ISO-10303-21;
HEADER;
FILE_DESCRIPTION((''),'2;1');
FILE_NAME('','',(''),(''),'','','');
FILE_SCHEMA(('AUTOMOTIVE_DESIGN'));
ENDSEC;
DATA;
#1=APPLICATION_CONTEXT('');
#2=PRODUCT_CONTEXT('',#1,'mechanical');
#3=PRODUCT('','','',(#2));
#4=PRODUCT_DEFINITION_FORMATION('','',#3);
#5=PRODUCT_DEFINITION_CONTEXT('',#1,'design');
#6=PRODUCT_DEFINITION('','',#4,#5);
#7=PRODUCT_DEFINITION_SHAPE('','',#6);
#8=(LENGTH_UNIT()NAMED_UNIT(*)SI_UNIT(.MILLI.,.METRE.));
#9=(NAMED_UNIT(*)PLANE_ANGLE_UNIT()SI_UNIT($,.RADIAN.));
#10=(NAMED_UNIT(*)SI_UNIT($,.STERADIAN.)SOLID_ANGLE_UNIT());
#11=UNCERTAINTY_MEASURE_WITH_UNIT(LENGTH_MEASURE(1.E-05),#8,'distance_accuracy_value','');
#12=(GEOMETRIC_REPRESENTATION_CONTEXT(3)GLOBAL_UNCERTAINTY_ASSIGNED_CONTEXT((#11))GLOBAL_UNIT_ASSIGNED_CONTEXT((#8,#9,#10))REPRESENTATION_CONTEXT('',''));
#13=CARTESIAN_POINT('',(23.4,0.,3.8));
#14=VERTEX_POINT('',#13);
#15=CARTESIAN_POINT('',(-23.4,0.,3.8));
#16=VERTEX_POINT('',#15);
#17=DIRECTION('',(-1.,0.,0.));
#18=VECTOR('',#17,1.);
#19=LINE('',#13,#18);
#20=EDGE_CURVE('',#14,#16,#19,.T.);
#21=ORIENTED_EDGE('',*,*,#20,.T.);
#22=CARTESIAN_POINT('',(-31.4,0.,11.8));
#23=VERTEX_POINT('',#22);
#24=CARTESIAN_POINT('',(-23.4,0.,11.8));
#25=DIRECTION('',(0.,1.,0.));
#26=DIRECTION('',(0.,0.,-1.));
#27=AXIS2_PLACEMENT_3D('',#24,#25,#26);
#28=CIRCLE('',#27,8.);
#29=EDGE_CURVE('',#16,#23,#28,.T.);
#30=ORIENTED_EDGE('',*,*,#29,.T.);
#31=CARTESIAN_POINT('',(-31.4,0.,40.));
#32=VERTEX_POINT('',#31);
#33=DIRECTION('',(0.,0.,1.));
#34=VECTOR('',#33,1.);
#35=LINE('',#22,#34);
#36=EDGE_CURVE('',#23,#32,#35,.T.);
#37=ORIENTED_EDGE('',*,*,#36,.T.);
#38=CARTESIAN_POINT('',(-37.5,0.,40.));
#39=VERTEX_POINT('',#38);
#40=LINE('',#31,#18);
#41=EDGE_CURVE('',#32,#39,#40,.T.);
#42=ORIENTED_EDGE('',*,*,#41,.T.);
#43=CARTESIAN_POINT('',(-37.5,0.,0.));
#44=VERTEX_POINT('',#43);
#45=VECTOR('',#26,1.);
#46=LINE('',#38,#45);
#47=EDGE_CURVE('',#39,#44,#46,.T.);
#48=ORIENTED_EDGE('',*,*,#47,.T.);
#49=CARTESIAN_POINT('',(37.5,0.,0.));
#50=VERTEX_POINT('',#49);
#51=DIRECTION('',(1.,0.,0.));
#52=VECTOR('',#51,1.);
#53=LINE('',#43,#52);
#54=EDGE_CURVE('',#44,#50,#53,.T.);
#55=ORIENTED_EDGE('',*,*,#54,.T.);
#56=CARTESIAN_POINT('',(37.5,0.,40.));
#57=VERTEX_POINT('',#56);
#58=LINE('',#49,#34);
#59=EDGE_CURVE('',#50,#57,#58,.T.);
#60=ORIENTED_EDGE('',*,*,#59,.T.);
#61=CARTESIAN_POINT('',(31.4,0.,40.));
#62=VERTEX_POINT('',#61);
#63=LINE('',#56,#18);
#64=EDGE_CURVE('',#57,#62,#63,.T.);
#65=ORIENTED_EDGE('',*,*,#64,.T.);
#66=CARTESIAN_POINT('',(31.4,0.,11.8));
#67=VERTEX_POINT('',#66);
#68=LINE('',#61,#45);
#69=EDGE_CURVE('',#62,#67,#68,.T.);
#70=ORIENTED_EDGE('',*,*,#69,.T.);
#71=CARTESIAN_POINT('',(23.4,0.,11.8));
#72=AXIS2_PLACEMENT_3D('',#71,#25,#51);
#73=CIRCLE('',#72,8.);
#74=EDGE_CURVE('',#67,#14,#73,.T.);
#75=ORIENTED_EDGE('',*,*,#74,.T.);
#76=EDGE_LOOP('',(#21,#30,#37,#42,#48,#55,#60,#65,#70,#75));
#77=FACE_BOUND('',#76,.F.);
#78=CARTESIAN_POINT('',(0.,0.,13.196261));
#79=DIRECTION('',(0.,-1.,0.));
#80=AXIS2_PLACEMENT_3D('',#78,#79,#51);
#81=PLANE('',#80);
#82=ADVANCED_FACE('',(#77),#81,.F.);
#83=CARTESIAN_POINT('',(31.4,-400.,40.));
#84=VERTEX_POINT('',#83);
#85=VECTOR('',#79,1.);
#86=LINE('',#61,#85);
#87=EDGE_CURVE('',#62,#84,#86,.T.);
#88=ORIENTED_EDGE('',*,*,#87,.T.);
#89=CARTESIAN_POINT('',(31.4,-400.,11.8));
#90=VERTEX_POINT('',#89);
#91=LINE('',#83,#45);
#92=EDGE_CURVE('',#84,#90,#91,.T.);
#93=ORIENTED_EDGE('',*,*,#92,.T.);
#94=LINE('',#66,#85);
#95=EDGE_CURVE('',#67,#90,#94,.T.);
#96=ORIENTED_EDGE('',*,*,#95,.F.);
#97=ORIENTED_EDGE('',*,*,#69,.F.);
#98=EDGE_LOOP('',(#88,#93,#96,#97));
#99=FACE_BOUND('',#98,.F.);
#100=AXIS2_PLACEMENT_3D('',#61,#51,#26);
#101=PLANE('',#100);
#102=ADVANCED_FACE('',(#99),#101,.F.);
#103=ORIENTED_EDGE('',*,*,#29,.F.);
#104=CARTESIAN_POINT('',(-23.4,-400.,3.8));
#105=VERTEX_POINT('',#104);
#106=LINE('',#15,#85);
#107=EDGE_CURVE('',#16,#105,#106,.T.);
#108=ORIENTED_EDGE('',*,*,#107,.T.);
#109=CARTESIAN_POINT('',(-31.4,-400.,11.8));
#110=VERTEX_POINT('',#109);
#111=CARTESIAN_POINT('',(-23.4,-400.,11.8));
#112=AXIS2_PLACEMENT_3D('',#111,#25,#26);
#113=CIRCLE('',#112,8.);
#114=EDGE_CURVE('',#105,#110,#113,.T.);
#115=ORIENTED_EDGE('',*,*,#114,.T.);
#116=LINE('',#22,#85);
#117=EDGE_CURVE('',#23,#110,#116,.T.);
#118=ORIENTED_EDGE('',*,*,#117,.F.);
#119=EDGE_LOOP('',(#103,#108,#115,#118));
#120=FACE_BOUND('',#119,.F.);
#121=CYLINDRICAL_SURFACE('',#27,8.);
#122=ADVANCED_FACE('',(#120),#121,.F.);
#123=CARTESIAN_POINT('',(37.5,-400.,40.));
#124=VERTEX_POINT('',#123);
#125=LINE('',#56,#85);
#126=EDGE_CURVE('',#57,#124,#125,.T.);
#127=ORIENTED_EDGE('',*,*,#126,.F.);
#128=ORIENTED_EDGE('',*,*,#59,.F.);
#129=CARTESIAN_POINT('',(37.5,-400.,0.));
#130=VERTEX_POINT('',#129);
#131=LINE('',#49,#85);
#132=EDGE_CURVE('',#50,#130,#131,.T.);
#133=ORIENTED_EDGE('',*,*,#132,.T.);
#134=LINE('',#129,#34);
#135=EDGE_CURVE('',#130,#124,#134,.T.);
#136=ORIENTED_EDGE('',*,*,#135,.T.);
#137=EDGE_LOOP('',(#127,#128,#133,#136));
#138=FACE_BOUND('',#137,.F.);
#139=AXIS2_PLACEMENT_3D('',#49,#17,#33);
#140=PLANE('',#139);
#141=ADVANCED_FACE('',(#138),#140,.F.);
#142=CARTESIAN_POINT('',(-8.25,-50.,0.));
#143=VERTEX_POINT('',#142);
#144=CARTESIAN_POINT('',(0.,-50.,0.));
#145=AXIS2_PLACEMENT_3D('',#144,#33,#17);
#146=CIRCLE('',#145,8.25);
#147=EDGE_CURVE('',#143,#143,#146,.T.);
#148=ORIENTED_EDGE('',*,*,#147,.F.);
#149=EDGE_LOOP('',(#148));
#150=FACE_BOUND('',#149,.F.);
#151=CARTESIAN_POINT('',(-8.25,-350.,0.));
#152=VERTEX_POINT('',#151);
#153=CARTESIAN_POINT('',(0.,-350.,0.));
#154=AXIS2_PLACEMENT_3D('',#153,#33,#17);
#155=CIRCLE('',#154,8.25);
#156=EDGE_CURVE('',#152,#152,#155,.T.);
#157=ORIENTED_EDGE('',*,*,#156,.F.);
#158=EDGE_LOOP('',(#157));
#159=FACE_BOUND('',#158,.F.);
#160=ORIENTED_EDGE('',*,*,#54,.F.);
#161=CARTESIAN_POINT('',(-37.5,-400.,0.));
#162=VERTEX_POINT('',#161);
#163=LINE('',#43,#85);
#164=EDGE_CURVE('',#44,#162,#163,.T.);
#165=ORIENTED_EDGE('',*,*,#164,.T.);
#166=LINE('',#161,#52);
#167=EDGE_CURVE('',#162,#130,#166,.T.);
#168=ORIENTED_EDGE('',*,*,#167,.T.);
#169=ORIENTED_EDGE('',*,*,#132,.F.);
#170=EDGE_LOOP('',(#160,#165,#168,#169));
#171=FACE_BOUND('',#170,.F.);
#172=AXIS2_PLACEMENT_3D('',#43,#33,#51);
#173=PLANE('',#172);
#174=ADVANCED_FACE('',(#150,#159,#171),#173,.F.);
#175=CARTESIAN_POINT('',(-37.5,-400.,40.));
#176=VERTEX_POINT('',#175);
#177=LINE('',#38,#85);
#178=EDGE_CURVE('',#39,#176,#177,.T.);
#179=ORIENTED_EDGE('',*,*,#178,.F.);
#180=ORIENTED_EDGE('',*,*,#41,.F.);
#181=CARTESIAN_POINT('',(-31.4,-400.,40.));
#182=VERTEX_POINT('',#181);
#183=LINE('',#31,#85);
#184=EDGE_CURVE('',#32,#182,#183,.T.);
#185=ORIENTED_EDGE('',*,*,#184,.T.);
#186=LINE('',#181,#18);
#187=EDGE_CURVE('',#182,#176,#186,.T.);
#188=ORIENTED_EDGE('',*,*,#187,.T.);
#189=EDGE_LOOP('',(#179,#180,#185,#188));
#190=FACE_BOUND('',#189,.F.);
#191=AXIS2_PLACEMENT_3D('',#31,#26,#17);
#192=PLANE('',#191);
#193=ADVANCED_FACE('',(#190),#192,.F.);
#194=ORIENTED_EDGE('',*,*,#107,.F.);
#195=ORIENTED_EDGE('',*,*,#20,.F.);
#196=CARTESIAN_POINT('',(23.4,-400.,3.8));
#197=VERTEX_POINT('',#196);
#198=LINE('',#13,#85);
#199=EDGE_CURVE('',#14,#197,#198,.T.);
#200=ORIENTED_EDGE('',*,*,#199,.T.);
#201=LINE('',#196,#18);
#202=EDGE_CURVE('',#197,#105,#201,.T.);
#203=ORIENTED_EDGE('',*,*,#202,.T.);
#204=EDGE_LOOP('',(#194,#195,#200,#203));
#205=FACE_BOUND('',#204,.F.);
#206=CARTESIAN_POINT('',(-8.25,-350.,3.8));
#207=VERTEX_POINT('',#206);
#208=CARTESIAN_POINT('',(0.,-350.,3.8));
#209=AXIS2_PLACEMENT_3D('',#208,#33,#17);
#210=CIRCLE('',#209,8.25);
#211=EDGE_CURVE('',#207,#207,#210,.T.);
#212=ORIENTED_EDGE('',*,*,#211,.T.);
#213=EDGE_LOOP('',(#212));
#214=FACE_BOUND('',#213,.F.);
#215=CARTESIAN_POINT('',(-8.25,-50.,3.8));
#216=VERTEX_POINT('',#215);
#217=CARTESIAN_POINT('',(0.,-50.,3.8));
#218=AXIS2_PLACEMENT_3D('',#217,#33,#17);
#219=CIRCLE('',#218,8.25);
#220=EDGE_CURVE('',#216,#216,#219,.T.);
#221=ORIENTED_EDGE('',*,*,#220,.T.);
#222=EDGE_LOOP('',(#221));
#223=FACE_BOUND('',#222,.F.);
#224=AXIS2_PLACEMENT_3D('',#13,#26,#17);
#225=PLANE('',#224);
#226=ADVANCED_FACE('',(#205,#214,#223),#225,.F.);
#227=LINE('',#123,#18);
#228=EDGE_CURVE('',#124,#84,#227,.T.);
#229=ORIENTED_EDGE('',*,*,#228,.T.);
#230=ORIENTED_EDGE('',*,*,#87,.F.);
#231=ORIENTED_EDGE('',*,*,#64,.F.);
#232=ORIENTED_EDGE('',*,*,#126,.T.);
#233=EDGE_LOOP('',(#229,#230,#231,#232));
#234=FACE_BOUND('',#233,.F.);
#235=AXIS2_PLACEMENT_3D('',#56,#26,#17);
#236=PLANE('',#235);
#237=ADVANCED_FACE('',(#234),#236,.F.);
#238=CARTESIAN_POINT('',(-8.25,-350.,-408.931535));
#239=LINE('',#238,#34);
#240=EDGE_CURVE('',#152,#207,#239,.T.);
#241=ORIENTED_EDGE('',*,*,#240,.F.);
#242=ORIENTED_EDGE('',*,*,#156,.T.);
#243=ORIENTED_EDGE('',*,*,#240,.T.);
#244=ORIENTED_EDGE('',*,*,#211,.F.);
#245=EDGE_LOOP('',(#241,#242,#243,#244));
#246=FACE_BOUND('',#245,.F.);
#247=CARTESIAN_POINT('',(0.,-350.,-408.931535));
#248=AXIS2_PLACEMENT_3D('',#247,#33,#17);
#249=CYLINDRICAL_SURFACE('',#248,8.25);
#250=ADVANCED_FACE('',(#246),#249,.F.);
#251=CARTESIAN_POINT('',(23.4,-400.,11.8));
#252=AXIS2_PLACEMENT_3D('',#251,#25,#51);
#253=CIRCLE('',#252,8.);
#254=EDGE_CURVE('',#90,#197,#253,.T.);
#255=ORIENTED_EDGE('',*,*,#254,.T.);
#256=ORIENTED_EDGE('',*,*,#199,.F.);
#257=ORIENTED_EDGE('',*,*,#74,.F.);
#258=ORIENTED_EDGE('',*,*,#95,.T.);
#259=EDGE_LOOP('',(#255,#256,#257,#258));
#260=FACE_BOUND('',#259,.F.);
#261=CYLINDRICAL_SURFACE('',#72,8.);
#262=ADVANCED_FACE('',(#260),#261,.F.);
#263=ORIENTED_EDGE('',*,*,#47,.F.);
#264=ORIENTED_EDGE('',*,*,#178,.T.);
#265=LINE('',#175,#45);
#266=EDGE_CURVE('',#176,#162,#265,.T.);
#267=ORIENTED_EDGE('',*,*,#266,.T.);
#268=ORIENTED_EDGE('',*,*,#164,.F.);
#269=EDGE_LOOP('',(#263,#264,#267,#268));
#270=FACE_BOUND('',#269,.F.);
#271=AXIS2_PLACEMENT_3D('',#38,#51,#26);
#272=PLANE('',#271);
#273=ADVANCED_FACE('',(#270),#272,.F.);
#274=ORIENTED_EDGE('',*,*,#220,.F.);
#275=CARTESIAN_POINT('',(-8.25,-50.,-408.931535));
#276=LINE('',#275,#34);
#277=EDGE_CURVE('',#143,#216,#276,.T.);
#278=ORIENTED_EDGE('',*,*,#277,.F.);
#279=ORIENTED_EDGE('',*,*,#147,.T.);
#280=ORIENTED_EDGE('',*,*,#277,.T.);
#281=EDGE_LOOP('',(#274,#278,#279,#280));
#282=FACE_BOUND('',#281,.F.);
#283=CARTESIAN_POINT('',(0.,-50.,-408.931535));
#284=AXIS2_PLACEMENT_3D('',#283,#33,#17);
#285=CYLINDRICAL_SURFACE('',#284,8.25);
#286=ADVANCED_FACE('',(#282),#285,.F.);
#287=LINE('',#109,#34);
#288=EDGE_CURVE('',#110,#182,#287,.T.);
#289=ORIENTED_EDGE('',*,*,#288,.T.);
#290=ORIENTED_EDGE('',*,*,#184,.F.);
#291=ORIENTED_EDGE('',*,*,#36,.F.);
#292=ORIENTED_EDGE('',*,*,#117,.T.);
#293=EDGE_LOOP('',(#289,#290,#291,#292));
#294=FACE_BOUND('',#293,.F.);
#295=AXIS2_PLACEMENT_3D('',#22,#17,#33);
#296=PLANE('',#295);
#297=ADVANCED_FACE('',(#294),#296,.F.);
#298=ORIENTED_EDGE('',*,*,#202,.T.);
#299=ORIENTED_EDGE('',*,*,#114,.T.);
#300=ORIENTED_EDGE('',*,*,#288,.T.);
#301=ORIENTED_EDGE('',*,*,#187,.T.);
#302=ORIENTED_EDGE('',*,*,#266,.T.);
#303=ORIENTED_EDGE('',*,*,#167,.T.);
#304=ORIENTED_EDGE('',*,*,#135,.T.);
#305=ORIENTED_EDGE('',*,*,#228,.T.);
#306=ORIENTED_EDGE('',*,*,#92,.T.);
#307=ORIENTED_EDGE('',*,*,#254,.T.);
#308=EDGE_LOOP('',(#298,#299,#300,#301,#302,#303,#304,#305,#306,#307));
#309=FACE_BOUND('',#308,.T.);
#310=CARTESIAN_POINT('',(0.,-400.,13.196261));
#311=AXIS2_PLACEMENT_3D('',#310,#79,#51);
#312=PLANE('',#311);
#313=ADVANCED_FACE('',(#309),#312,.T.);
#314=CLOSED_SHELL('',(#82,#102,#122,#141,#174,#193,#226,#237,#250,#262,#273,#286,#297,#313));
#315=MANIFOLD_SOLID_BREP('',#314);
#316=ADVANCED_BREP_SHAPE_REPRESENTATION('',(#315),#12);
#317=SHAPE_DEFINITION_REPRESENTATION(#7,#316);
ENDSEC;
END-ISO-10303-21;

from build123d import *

# Parameters (mm, degrees)
F1_DEPTH = 400
F3_D     = 16.5


with BuildPart() as f1:
    # F0 (on Front) → F1 (new body)
    with BuildSketch(Plane.XZ):
        with BuildLine():
            Line((-37.5, 0), (0, 0))
            Line((0, 0), (37.5, 0))
            Line((37.5, 0), (37.5, 40))
            Line((37.5, 40), (31.4, 40))
            Line((31.4, 40), (31.4, 11.8))
            ThreePointArc((31.4, 11.8), (29.0568542495, 6.1431457505), (23.4, 3.8))
            Line((23.4, 3.8), (0, 3.8))
            Line((0, 3.8), (-23.4, 3.8))
            ThreePointArc((-23.4, 3.8), (-29.0568542495, 6.1431457505), (-31.4, 11.8))
            Line((-31.4, 11.8), (-31.4, 40))
            Line((-31.4, 40), (-37.5, 40))
            Line((-37.5, 40), (-37.5, 0))
        make_face()
    extrude(amount=F1_DEPTH)

    # F3 (through all)
    with Locations(Plane(origin=(0, 0, 0), x_dir=(1, 0, 0), z_dir=(0, 0, -1))):
        with Locations((0, 50), (0, 350)):
            Hole(F3_D / 2)


solid = f1.part
